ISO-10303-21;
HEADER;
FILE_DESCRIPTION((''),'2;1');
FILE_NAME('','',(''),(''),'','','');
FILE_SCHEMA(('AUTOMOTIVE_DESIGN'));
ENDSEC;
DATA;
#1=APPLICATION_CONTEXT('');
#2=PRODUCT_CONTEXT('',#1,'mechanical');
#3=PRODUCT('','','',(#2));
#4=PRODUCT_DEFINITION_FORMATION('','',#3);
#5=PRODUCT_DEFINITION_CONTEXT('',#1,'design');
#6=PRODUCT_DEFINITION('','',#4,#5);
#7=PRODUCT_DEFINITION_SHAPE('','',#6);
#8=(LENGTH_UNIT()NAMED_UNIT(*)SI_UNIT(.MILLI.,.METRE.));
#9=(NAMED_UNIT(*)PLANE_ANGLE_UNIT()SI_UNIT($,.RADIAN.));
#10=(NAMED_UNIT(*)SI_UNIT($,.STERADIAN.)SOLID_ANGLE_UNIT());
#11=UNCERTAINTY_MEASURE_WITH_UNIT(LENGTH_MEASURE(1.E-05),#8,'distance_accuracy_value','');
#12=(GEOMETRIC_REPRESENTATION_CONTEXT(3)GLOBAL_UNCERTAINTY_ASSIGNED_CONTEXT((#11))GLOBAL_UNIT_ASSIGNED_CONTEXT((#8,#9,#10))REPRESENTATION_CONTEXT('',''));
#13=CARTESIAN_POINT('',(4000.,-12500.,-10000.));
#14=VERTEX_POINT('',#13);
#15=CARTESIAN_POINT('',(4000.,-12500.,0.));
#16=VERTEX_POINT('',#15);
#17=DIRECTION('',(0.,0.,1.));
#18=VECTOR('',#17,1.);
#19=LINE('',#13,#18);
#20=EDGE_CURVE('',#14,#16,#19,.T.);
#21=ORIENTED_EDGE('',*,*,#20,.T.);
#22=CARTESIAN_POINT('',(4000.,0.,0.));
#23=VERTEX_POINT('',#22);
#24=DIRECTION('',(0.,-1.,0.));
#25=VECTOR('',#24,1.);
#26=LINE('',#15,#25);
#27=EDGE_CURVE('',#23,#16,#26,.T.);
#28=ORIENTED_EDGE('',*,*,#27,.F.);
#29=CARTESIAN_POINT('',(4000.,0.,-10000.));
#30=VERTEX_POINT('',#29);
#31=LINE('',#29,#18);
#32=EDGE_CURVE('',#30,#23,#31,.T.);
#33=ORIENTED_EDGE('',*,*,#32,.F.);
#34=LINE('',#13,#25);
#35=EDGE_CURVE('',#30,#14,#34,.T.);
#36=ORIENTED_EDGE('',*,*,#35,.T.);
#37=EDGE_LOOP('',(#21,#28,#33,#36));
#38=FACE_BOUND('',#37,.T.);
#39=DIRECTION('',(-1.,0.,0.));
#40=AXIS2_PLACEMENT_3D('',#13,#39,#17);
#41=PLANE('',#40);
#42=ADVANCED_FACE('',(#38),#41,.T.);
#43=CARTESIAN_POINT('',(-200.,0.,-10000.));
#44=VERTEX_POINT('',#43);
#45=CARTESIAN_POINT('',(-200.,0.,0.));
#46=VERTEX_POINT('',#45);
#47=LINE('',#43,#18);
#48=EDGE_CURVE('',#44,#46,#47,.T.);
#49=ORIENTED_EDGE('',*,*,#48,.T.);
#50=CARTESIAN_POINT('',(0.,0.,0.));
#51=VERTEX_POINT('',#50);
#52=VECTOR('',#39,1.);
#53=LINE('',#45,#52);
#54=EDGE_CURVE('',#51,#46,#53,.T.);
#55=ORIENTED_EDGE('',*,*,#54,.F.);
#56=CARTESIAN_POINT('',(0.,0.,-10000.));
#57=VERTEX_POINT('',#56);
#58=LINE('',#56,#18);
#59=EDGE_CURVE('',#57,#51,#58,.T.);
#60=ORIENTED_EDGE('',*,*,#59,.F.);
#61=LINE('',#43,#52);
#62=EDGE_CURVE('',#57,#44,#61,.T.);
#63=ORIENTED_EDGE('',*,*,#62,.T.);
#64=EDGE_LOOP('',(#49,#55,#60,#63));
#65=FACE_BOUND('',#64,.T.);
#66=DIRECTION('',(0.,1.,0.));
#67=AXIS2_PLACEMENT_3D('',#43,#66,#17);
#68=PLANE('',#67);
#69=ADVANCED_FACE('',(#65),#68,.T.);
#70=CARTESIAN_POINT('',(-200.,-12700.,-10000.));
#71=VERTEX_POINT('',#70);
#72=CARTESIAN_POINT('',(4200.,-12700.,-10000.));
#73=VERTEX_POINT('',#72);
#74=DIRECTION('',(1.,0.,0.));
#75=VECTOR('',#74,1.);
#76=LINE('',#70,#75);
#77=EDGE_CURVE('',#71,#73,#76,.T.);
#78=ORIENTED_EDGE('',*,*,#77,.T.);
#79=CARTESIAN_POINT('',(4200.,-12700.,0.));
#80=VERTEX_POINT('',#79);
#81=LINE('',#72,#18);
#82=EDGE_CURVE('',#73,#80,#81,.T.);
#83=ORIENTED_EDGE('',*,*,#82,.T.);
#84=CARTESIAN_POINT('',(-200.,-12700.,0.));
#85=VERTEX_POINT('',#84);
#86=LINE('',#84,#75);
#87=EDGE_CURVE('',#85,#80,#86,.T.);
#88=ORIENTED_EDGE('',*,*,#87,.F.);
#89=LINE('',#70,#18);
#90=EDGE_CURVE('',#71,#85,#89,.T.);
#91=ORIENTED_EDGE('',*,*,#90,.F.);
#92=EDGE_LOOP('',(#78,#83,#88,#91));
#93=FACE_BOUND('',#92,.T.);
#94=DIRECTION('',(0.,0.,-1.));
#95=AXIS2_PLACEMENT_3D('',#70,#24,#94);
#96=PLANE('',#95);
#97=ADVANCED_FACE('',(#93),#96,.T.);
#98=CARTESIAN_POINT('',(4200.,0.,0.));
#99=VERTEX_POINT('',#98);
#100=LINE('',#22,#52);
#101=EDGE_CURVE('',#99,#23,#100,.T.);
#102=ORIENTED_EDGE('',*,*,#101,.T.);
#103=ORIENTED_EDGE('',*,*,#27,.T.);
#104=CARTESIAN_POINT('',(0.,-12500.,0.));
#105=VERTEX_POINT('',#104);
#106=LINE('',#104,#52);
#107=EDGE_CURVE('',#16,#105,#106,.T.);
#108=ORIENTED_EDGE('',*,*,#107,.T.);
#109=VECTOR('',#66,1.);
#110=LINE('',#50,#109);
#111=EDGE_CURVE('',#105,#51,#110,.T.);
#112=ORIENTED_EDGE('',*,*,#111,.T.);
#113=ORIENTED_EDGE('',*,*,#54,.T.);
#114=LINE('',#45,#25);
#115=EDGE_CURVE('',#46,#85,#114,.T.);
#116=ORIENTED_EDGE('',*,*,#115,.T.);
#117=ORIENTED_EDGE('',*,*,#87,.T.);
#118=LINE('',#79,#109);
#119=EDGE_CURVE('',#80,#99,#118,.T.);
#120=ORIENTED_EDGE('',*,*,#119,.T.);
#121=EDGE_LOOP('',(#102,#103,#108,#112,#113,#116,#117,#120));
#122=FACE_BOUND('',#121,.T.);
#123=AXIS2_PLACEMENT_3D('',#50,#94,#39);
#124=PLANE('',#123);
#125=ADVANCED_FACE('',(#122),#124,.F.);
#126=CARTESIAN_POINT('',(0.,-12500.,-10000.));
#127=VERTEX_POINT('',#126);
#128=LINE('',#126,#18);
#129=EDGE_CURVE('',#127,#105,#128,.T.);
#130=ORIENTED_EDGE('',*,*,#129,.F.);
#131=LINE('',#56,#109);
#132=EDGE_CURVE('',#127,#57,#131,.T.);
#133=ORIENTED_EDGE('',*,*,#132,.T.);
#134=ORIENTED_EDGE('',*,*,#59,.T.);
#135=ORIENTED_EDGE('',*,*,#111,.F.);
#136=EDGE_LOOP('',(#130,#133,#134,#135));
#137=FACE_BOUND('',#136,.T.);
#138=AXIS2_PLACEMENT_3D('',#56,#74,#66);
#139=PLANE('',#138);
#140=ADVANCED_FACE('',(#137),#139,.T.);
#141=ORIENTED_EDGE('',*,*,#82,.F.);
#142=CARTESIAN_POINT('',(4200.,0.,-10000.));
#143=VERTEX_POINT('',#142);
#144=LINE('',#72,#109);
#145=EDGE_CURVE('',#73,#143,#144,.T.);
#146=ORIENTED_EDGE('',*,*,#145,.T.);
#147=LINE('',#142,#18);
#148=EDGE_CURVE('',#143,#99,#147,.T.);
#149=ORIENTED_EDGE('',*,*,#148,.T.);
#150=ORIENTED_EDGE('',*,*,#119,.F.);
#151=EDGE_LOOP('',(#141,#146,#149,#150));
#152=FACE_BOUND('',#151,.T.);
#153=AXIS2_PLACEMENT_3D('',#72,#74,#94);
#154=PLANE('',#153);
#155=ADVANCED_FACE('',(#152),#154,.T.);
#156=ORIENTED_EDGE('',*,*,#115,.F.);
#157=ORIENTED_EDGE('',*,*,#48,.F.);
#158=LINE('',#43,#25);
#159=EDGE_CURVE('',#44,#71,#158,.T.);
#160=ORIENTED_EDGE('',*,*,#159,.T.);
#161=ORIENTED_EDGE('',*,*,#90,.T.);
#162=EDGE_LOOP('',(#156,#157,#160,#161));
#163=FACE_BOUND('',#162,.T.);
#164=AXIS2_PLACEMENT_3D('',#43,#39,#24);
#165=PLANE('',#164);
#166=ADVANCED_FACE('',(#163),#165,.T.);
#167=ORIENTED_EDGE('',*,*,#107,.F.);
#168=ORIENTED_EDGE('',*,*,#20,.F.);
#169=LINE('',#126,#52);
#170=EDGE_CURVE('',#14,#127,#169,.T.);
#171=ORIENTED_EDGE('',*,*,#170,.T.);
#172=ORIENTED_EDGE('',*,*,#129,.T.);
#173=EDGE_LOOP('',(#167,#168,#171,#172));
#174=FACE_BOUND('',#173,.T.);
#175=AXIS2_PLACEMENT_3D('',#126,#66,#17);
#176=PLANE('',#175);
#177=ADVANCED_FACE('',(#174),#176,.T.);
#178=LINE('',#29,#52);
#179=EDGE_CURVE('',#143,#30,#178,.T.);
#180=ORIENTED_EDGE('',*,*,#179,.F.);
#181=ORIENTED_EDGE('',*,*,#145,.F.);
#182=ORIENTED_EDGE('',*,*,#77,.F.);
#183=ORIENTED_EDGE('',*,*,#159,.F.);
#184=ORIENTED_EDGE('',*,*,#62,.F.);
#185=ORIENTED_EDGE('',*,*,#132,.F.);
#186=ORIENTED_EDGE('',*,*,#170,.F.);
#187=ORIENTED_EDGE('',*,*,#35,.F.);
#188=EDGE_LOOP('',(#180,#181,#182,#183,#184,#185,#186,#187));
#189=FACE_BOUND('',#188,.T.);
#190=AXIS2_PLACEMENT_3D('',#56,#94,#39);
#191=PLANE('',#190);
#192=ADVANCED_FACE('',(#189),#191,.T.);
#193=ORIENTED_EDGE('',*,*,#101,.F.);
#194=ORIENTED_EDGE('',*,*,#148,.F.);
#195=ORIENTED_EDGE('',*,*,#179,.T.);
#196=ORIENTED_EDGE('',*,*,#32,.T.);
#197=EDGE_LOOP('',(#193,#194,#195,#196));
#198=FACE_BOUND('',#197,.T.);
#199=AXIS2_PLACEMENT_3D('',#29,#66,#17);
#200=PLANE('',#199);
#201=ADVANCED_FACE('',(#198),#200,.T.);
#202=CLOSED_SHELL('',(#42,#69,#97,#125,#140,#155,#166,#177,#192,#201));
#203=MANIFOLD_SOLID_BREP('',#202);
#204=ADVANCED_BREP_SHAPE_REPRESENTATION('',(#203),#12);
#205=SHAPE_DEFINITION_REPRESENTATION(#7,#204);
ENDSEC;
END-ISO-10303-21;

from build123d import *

# Parameters (mm, degrees)
BOSS_EXTRUDE1_DEPTH = 10000


with BuildPart() as part:
    # Sketch2 → Boss-Extrude1 (new body)
    with BuildSketch(Plane.XY):
        Polygon((0, 0), (0, -12500), (4000, -12500), (4000, 0), (4200, 0), (4200, -12700), (-200, -12700), (-200, 0), align=None)
    extrude(amount=-BOSS_EXTRUDE1_DEPTH)


solid = part.part
